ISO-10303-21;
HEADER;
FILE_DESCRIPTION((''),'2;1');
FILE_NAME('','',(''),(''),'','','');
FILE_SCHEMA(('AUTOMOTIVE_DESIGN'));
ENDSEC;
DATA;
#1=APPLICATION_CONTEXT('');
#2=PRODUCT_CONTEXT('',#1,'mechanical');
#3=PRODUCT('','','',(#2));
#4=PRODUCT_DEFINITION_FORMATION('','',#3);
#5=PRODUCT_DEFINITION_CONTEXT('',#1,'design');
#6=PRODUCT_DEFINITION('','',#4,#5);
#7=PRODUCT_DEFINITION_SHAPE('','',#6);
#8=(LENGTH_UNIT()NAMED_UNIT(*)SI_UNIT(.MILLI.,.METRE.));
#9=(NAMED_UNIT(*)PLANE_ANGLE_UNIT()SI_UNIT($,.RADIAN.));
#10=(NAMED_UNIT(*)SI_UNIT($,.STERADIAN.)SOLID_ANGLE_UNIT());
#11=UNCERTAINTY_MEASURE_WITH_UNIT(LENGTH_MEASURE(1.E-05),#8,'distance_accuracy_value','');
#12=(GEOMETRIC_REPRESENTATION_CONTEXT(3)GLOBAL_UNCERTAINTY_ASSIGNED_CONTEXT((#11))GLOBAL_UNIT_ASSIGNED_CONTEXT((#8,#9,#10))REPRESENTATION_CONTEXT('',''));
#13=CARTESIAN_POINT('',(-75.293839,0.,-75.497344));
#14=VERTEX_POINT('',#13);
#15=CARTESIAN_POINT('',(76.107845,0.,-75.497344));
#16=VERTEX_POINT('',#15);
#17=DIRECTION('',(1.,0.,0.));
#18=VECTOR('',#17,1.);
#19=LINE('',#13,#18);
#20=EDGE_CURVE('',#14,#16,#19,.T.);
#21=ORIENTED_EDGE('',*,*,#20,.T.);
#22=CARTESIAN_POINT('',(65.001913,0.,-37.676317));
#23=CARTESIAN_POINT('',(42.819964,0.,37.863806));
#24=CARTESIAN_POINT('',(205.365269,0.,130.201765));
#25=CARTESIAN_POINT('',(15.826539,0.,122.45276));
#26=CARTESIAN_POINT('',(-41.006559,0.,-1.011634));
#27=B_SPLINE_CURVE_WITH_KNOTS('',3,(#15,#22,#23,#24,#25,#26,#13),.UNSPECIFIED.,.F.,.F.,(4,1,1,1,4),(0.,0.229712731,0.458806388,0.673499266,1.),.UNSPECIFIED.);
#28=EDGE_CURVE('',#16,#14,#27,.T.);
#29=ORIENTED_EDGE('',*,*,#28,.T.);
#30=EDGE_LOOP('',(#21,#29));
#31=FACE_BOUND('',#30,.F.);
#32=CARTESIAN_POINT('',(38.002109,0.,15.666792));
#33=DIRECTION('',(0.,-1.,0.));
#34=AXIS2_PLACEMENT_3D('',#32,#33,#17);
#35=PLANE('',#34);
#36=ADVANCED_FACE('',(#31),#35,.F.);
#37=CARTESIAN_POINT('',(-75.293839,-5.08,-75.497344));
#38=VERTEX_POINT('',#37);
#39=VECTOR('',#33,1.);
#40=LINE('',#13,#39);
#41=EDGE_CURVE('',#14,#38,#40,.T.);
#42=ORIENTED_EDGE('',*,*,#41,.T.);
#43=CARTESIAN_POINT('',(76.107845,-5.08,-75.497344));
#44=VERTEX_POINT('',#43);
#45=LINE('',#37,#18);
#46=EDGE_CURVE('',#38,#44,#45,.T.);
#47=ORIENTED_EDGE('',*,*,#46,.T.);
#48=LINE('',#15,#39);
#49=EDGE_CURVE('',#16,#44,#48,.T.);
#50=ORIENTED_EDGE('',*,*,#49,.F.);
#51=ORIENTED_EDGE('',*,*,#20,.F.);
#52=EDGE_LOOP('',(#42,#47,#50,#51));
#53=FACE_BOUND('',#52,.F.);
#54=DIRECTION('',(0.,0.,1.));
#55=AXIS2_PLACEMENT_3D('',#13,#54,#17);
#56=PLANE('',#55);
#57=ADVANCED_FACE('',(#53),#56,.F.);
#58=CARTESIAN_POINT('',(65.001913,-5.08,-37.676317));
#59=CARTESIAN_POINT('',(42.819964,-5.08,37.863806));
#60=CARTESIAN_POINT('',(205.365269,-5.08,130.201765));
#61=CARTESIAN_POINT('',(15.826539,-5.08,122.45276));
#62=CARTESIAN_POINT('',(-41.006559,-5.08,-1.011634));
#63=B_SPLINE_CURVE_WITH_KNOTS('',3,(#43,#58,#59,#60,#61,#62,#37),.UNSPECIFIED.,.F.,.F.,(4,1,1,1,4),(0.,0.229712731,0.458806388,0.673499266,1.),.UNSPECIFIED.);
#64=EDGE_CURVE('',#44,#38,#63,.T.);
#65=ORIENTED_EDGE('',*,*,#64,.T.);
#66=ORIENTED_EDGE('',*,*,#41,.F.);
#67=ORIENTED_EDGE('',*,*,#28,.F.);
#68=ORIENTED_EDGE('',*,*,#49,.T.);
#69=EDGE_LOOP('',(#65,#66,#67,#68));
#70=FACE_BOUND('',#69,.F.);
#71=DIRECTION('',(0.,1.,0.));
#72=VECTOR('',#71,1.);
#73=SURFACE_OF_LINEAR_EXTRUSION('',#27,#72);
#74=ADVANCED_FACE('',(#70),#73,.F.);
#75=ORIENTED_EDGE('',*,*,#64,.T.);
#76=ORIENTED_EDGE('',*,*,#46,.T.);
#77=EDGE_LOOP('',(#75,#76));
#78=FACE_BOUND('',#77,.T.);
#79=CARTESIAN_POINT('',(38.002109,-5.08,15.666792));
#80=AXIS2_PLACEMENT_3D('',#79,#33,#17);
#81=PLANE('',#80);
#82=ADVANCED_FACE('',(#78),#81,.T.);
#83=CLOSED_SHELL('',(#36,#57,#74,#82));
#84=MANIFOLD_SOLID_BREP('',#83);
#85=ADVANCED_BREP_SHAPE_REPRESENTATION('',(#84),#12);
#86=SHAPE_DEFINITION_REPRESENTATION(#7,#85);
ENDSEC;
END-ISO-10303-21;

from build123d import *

# Parameters (mm, degrees)
F1_DEPTH = 5.08


with BuildPart() as f1:
    # F0 (on Front) → F1 (new body)
    with BuildSketch(Plane.XZ):
        with BuildLine():
            add(Edge.make_bspline(
                [(76.1078447104, -75.4973441362), (65.0019127297, -37.6763174414), (42.8199643432, 37.8638063977), (205.3652686479, 130.2017650659), (15.8265392289, 122.4527602739), (-41.0065591137, -1.0116344941), (-75.2938389778, -75.4973441362)],
                knots=[0, 0, 0, 0, 0.2297127313, 0.4588063876, 0.6734992661, 1, 1, 1, 1], degree=3))
            Line((-75.2938389778, -75.4973441362), (76.1078447104, -75.4973441362))
        make_face()
    extrude(amount=F1_DEPTH)


solid = f1.part
